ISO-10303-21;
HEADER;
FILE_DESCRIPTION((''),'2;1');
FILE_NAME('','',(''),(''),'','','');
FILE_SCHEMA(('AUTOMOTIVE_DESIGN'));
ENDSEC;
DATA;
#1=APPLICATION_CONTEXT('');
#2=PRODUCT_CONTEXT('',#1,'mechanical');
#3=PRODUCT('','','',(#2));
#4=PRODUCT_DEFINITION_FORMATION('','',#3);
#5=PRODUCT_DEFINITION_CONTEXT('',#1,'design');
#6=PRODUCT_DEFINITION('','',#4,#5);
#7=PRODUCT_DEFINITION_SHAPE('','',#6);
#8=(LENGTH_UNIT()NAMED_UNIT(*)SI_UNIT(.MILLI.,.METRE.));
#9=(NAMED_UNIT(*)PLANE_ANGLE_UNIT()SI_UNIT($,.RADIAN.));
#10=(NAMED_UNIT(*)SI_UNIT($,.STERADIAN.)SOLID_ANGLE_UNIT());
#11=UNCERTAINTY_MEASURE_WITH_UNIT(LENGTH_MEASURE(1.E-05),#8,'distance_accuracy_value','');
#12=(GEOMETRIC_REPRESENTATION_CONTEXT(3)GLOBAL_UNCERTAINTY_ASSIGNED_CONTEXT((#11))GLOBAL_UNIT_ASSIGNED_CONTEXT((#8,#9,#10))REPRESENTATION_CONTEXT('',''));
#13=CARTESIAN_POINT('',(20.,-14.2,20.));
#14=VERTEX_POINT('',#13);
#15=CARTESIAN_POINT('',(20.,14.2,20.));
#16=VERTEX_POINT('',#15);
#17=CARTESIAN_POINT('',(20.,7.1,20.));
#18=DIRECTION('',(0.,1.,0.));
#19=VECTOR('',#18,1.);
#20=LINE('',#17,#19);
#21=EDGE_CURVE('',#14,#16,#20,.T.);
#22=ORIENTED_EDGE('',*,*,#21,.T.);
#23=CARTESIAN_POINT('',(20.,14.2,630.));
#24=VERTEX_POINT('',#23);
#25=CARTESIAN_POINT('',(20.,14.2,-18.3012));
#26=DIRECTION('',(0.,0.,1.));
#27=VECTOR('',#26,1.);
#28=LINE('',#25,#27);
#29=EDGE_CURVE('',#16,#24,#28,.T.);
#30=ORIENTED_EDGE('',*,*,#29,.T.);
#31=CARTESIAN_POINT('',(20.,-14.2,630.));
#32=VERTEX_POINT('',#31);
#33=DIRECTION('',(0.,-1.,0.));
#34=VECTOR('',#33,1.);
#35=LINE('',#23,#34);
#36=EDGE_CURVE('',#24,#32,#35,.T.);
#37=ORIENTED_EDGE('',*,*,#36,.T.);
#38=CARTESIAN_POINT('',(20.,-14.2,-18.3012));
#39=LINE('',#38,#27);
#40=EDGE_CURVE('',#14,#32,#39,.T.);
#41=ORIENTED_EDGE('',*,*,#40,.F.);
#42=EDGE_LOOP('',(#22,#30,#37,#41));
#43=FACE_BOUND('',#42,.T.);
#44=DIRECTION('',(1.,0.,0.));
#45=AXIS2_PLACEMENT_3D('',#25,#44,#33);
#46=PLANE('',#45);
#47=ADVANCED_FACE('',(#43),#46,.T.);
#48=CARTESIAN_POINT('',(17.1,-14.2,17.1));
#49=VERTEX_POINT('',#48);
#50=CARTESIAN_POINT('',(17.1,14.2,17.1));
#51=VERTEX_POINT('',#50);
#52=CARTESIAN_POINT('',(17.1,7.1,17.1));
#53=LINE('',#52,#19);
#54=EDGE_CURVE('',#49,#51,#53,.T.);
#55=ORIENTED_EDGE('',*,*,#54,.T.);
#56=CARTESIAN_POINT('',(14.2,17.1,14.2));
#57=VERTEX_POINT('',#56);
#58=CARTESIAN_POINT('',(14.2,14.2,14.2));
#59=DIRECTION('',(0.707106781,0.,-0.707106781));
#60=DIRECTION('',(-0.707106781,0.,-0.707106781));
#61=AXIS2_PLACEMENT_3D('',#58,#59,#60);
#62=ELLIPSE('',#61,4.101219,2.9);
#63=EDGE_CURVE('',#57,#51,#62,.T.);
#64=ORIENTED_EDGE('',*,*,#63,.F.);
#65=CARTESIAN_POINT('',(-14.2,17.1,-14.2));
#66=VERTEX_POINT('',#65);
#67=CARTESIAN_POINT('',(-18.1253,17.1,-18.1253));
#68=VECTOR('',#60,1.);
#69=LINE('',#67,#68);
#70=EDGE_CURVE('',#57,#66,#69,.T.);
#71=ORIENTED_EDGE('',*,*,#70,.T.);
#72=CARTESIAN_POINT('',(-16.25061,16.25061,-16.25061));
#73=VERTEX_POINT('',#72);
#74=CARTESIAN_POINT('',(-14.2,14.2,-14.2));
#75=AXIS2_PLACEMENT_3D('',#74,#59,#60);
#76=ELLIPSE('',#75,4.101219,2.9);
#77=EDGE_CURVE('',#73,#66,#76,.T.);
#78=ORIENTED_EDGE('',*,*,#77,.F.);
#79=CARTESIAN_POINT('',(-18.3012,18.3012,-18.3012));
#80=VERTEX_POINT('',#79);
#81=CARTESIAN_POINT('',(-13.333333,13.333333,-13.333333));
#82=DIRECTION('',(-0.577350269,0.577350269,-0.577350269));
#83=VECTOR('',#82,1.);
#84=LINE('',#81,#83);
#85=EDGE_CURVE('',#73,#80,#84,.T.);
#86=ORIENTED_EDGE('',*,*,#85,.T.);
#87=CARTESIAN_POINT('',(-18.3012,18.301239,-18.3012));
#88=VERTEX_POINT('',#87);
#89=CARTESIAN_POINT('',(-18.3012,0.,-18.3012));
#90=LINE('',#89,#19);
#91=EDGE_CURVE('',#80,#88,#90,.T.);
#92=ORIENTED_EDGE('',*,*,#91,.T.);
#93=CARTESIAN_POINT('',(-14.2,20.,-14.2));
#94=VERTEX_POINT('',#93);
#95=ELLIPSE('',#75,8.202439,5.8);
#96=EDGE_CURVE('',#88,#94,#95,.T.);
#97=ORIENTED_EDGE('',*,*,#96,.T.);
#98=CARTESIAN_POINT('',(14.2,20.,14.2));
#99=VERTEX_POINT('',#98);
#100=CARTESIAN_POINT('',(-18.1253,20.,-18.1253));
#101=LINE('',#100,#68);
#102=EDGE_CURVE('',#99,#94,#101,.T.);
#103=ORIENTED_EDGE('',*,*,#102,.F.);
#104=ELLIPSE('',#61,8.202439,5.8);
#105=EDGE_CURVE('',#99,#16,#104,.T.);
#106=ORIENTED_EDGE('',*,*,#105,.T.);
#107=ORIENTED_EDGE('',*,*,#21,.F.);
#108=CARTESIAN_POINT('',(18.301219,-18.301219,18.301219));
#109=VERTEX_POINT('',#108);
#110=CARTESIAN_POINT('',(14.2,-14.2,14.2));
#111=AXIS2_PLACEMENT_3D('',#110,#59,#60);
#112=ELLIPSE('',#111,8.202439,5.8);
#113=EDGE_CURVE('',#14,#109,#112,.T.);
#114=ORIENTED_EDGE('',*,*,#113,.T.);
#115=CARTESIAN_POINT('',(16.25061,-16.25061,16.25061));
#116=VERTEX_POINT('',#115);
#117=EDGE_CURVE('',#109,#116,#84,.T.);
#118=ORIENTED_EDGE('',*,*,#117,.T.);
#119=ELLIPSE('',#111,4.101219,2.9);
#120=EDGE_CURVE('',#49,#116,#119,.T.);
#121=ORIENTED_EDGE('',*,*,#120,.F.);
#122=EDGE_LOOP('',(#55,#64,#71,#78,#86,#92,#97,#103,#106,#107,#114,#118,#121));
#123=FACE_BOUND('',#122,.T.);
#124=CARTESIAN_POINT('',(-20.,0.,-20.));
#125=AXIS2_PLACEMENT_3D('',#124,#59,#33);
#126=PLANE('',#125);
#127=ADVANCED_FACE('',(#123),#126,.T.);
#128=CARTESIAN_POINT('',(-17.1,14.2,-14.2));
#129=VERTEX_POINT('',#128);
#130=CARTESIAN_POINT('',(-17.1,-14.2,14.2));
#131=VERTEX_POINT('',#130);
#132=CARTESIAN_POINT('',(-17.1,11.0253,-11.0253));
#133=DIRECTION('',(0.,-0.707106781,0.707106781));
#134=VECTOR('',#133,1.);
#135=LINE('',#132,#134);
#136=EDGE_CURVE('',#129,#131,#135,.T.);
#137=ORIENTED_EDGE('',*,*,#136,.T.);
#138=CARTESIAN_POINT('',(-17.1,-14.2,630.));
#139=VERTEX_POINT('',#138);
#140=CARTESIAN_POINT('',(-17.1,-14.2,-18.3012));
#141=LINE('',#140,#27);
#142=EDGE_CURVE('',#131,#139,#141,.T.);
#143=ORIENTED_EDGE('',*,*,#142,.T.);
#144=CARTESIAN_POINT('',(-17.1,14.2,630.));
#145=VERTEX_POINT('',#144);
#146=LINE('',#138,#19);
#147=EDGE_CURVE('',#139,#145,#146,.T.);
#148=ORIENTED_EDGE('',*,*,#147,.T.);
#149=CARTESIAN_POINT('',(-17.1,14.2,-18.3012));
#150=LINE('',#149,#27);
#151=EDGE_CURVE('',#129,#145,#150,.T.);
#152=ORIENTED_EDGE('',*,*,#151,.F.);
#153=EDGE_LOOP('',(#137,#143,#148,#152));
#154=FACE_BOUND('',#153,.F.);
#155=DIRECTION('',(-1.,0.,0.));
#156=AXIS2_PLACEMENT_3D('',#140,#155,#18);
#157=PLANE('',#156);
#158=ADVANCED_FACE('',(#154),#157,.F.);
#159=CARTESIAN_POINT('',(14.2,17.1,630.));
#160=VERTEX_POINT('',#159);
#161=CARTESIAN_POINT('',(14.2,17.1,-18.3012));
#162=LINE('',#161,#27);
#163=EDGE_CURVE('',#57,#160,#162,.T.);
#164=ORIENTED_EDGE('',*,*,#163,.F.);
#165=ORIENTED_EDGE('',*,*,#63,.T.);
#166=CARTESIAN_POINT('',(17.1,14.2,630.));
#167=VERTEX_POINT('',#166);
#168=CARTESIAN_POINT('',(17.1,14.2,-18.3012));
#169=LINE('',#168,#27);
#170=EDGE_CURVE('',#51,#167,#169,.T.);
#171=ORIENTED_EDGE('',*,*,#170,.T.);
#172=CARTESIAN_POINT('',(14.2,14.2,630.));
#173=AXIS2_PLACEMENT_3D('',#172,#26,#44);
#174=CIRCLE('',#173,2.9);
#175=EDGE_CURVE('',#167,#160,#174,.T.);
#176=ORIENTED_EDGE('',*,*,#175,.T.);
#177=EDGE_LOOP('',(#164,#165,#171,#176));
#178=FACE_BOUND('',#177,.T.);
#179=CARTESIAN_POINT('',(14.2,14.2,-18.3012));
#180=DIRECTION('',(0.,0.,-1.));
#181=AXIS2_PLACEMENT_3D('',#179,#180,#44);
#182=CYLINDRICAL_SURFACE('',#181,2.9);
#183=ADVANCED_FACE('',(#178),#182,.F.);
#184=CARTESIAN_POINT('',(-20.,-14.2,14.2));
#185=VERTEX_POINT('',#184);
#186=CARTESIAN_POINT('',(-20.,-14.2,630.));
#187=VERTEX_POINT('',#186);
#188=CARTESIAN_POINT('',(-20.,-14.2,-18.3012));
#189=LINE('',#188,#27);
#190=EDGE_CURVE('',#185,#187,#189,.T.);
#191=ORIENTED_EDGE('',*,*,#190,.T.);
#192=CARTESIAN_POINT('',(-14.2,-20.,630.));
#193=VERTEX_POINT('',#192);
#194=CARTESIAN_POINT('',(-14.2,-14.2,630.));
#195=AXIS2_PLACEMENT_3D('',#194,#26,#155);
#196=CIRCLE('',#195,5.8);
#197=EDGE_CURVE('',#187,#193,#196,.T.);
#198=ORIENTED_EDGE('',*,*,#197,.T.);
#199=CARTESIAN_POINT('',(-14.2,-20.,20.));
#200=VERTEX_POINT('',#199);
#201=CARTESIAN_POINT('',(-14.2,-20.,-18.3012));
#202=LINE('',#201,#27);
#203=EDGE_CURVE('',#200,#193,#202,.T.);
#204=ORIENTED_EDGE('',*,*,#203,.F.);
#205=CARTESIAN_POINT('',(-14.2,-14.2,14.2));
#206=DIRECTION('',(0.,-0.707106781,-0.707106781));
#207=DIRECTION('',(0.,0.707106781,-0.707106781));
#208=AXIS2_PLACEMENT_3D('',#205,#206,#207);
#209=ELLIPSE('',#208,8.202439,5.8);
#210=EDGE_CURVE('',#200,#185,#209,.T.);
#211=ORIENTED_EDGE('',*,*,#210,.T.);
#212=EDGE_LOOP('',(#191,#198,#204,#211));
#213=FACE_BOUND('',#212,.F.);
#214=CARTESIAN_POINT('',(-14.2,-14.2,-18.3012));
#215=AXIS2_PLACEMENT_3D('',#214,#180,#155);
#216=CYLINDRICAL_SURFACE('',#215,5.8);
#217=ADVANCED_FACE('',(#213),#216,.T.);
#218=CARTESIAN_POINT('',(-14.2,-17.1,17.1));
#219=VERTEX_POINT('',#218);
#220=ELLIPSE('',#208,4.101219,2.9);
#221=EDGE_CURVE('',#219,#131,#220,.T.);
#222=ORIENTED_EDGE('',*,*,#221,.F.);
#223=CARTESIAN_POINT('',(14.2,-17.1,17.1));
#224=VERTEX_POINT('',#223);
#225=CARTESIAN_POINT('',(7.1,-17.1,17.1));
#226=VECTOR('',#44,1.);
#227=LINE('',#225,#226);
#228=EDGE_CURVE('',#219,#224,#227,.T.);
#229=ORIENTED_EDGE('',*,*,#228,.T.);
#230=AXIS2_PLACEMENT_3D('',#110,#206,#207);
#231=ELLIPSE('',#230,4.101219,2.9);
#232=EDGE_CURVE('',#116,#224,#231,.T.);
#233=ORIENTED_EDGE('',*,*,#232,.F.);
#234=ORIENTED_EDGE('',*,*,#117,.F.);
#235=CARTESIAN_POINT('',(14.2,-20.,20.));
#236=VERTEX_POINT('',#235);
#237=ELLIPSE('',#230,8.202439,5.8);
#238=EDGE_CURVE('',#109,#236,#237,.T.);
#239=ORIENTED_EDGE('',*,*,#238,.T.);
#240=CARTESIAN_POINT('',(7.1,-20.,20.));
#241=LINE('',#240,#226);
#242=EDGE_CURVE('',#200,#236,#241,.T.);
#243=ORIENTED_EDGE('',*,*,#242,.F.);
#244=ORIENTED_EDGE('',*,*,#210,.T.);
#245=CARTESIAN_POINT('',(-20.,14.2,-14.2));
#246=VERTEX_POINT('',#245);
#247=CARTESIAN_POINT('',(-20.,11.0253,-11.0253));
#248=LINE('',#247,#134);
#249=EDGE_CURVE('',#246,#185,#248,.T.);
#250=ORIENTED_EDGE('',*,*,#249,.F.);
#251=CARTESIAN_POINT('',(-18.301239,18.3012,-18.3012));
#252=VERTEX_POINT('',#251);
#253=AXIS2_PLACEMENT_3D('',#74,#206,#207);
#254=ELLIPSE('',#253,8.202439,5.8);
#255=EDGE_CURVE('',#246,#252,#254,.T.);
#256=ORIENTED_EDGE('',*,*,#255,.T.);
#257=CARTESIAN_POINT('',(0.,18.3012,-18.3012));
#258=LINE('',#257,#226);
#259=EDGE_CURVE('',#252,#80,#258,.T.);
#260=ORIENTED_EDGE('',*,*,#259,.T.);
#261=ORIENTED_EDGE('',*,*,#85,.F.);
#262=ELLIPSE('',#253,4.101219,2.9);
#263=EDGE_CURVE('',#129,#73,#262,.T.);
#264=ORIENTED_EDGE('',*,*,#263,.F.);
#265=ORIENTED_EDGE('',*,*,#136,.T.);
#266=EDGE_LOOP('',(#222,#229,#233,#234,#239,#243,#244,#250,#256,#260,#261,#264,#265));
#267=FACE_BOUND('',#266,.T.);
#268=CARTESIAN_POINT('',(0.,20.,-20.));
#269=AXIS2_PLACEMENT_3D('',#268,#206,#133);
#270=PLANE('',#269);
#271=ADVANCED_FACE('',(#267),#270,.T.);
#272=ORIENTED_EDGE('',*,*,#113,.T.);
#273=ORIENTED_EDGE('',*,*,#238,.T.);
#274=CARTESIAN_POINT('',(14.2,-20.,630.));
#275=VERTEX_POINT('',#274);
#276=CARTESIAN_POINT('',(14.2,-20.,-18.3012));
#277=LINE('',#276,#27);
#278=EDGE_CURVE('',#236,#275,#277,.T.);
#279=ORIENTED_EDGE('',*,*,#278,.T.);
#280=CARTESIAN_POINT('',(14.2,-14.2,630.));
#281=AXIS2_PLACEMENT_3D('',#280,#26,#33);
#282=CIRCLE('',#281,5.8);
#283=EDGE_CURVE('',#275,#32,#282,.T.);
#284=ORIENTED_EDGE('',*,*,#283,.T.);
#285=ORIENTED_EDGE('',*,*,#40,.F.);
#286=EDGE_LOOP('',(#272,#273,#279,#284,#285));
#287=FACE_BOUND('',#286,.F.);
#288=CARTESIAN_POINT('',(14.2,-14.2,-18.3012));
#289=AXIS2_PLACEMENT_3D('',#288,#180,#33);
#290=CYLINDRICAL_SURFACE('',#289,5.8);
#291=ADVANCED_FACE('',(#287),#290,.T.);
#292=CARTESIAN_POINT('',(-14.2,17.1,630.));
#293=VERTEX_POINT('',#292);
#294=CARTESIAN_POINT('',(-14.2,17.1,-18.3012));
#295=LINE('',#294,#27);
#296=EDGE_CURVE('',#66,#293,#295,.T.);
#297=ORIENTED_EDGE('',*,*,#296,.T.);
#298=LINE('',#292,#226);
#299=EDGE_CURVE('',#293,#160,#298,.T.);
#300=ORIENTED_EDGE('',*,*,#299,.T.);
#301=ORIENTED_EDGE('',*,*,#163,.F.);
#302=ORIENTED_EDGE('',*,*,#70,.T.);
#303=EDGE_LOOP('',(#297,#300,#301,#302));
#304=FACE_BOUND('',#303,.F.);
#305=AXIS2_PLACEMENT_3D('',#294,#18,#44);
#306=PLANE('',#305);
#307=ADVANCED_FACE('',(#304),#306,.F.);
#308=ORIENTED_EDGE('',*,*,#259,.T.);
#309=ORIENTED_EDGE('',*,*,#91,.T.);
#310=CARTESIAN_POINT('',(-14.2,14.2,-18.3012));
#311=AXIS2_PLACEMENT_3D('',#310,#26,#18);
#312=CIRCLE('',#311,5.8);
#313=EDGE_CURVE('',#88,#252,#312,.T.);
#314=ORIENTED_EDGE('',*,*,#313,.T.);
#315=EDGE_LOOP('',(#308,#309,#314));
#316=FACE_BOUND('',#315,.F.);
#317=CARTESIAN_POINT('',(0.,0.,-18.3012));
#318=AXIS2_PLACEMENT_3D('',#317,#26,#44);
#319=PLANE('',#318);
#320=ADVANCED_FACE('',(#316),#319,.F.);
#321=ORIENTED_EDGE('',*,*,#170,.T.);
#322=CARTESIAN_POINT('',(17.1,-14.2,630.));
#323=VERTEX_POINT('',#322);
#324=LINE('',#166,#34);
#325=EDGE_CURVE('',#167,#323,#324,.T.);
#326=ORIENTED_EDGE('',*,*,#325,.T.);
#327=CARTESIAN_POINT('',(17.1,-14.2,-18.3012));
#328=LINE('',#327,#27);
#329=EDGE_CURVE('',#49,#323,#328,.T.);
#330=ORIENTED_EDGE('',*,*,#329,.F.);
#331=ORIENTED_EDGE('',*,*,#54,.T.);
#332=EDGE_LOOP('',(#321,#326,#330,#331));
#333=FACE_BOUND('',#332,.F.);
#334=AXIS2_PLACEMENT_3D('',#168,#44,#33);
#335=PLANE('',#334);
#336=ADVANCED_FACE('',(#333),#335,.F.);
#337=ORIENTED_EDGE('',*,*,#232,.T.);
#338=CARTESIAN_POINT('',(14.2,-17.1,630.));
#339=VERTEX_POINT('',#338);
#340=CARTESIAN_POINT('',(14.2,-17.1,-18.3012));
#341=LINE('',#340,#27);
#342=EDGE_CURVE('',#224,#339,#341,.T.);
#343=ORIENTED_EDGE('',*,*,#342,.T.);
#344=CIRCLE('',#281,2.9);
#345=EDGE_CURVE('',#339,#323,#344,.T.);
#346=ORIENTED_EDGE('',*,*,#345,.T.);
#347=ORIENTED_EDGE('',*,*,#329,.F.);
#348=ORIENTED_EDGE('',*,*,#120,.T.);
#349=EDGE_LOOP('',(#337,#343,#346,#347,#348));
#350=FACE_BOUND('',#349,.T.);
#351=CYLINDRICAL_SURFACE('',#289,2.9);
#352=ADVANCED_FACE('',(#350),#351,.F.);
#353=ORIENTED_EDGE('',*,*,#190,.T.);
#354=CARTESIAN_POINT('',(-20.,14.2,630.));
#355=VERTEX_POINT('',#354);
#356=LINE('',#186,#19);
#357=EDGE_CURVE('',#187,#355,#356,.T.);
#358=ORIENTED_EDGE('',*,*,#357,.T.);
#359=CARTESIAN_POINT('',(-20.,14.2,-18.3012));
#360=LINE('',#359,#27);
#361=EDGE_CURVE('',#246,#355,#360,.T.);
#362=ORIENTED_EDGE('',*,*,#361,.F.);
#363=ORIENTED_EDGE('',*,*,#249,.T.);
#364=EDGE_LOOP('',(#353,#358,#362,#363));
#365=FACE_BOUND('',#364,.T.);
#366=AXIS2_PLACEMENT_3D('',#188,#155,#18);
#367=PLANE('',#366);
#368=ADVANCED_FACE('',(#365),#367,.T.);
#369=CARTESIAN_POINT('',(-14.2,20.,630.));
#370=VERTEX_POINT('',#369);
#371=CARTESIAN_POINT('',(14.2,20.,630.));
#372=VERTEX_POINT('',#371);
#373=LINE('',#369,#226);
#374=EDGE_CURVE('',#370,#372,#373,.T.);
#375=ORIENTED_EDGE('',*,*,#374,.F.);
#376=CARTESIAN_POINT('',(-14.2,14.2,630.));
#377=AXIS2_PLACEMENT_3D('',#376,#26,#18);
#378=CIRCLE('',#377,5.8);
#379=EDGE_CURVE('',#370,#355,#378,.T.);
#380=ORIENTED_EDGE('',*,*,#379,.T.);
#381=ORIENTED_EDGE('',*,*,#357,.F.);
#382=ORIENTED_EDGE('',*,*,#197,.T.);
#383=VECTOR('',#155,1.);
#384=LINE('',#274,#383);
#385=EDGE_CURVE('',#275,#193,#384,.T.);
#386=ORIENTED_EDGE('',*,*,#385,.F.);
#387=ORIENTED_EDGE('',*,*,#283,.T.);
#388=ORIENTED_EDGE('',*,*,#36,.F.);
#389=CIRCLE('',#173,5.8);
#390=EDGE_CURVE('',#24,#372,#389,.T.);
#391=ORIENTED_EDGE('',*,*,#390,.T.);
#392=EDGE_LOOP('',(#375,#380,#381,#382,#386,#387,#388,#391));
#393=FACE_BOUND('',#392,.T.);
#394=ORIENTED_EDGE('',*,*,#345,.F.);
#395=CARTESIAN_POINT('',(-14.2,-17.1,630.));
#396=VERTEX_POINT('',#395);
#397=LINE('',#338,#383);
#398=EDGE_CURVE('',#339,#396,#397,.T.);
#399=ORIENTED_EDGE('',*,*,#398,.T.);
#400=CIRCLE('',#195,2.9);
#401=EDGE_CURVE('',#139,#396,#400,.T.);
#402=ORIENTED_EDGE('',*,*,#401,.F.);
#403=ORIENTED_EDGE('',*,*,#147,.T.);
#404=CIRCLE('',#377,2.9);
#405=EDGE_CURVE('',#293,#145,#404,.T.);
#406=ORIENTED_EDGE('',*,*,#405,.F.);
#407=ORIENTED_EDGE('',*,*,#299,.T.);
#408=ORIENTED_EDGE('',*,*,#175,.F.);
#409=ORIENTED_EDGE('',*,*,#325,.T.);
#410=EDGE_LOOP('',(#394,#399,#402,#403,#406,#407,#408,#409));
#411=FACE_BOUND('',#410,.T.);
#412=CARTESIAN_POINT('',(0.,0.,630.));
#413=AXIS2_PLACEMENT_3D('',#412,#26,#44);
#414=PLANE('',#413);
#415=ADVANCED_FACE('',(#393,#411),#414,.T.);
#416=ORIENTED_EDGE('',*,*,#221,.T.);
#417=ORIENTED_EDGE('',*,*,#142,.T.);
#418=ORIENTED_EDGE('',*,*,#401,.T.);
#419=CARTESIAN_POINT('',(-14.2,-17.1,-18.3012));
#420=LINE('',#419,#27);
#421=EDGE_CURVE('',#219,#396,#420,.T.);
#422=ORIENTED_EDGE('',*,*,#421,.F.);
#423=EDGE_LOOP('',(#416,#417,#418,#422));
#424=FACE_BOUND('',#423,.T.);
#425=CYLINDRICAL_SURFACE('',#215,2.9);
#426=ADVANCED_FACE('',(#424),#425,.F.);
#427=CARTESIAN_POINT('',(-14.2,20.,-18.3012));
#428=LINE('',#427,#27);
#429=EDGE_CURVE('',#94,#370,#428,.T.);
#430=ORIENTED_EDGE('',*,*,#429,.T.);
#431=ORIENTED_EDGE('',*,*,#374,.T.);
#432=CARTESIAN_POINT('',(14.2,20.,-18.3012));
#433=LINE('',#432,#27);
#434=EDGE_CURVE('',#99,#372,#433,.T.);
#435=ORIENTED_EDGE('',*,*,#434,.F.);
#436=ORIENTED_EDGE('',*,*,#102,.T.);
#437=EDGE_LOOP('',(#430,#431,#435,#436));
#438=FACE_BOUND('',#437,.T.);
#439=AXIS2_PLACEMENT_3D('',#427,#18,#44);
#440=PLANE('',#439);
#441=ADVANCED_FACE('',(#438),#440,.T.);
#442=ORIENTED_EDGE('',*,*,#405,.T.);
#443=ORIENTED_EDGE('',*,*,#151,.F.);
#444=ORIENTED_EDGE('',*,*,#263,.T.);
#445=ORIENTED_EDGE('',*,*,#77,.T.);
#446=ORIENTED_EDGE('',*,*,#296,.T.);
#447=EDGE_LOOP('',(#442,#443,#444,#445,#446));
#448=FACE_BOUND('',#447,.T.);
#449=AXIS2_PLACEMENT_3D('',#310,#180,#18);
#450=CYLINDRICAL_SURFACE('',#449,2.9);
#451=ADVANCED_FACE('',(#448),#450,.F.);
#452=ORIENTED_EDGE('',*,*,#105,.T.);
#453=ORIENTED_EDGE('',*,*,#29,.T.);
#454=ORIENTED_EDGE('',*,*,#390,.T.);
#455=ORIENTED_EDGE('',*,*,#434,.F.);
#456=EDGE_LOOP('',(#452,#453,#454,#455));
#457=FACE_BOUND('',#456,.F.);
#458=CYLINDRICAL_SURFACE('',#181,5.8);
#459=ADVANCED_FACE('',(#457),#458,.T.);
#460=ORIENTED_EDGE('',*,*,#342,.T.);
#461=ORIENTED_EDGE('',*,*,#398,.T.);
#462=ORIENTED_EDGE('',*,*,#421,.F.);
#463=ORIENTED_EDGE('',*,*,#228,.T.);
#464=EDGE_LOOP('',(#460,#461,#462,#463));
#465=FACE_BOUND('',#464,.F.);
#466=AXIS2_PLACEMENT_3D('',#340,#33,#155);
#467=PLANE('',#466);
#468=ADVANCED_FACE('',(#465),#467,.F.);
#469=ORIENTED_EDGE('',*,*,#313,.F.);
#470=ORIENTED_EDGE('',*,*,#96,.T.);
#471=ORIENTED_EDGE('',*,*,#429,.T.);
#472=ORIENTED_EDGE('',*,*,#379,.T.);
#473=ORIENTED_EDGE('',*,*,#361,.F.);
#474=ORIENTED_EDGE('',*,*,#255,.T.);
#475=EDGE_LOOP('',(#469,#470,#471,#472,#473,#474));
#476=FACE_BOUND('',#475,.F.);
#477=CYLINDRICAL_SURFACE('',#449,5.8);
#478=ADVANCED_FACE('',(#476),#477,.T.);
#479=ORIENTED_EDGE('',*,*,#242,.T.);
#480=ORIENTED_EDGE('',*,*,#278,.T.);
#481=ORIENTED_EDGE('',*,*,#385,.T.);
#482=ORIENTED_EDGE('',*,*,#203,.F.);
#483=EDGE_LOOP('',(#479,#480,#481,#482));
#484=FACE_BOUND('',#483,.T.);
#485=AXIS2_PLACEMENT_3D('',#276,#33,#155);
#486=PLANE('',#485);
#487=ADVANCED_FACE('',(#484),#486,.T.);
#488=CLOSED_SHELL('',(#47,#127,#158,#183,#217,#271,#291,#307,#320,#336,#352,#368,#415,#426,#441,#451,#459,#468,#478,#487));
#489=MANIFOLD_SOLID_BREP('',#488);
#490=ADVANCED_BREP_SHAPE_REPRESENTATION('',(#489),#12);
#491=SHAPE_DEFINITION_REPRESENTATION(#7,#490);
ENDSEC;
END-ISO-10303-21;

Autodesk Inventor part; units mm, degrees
ref_plane "Plano inicial" through (0, 0, -18.3012) normal (0, 0, 1) x (1, 0, 0)
ref_plane "Plano final" through (0, 0, 630) normal (0, 0, 1) x (1, 0, 0)
sketch "Boceto" plane through (0, 0, 0) normal (0, 0, 1) x (1, 0, 0)
  line L0 (-14.2, 20) -> (14.2, 20)
  line L1 (20, 14.2) -> (20, -14.2)
  line L2 (14.2, -20) -> (-14.2, -20)
  line L3 (-20, -14.2) -> (-20, 14.2)
  arc A0 (-14.2, 20) -> (-20, 14.2) centre (-14.2, 14.2) ccw
  arc A1 (20, 14.2) -> (14.2, 20) centre (14.2, 14.2) ccw
  arc A2 (14.2, -20) -> (20, -14.2) centre (14.2, -14.2) ccw
  arc A3 (-20, -14.2) -> (-14.2, -20) centre (-14.2, -14.2) ccw
  line L4 (-29.6817, 0) -> (29.6817, 0) construction
  line L5 (0, -29.6817) -> (0, 29.6817) construction
  arc A4 (-14.2, 17.1) -> (-17.1, 14.2) centre (-14.2, 14.2) ccw
  line L6 (-14.2, 17.1) -> (14.2, 17.1)
  arc A5 (17.1, 14.2) -> (14.2, 17.1) centre (14.2, 14.2) ccw
  line L7 (17.1, 14.2) -> (17.1, -14.2)
  arc A6 (14.2, -17.1) -> (17.1, -14.2) centre (14.2, -14.2) ccw
  line L8 (14.2, -17.1) -> (-14.2, -17.1)
  arc A7 (-17.1, -14.2) -> (-14.2, -17.1) centre (-14.2, -14.2) ccw
  line L9 (-17.1, -14.2) -> (-17.1, 14.2)
  point P0 (-20, 20)
  point P1 (20, -20)
  point P2 (20, 20)
  dimension "b" = 40
  dimension "msp_r" = 5.8
  dimension "d8" = 20
  dimension "d9" = 20
  dimension "d10" = 2.9
extrude "Cuerpo" add sketch "Boceto" along normal up to surface (648.3012 mm away) from surface at -18.3012
sketch "Sketch2" plane through (0, 0, 0) normal (0, 0, 1) x (1, 0, 0)
  line L0 (0, 0) -> (10, 0)
ref_plane "Work Plane3" through (0, 0, 0) normal (0, -1, 0) x (1, 0, 0)
sketch "Sketch3" plane through (0, 0, 0) normal (0, -1, 0) x (1, 0, 0)
  line L0 (-2, -18.3012) -> (12, -18.3012)
  line L1 (-2, 630) -> (12, 630)
  dimension "d14" = 648.3012
ref_plane "Plano de trabajo4" through (-20, 0, -20) normal (0.7071, 0, -0.7071) x (-0.7071, 0, -0.7071)
split "Dividir1" plane through (-20, 0, -20) removes the side toward (0.7071, 0, -0.7071)
ref_plane "Plano de trabajo5" through (0, 20, -20) normal (0, -0.7071, -0.7071) x (1, 0, 0)
split "Dividir2" plane through (0, 20, -20) removes the side toward (0, -0.7071, -0.7071)
equation "\"msp_r\" = 2 * ParT"
equation "\"d8\" = d9"
equation "\"d9\" = 0.5 * b"
equation "\"d10\" = ParT"
equation "\"G_OFFSET_START\" = 18.30122"
equation "\"G_OFFSET_END\" = 0"
equation "\"d11\" = -G_OFFSET_START"
equation "\"G_L\" = d14"
equation "\"ParT\" = 2.9"
properties part number "DIN 59 410 - 40x40x2.9-648.301" material "Acero, suave"
